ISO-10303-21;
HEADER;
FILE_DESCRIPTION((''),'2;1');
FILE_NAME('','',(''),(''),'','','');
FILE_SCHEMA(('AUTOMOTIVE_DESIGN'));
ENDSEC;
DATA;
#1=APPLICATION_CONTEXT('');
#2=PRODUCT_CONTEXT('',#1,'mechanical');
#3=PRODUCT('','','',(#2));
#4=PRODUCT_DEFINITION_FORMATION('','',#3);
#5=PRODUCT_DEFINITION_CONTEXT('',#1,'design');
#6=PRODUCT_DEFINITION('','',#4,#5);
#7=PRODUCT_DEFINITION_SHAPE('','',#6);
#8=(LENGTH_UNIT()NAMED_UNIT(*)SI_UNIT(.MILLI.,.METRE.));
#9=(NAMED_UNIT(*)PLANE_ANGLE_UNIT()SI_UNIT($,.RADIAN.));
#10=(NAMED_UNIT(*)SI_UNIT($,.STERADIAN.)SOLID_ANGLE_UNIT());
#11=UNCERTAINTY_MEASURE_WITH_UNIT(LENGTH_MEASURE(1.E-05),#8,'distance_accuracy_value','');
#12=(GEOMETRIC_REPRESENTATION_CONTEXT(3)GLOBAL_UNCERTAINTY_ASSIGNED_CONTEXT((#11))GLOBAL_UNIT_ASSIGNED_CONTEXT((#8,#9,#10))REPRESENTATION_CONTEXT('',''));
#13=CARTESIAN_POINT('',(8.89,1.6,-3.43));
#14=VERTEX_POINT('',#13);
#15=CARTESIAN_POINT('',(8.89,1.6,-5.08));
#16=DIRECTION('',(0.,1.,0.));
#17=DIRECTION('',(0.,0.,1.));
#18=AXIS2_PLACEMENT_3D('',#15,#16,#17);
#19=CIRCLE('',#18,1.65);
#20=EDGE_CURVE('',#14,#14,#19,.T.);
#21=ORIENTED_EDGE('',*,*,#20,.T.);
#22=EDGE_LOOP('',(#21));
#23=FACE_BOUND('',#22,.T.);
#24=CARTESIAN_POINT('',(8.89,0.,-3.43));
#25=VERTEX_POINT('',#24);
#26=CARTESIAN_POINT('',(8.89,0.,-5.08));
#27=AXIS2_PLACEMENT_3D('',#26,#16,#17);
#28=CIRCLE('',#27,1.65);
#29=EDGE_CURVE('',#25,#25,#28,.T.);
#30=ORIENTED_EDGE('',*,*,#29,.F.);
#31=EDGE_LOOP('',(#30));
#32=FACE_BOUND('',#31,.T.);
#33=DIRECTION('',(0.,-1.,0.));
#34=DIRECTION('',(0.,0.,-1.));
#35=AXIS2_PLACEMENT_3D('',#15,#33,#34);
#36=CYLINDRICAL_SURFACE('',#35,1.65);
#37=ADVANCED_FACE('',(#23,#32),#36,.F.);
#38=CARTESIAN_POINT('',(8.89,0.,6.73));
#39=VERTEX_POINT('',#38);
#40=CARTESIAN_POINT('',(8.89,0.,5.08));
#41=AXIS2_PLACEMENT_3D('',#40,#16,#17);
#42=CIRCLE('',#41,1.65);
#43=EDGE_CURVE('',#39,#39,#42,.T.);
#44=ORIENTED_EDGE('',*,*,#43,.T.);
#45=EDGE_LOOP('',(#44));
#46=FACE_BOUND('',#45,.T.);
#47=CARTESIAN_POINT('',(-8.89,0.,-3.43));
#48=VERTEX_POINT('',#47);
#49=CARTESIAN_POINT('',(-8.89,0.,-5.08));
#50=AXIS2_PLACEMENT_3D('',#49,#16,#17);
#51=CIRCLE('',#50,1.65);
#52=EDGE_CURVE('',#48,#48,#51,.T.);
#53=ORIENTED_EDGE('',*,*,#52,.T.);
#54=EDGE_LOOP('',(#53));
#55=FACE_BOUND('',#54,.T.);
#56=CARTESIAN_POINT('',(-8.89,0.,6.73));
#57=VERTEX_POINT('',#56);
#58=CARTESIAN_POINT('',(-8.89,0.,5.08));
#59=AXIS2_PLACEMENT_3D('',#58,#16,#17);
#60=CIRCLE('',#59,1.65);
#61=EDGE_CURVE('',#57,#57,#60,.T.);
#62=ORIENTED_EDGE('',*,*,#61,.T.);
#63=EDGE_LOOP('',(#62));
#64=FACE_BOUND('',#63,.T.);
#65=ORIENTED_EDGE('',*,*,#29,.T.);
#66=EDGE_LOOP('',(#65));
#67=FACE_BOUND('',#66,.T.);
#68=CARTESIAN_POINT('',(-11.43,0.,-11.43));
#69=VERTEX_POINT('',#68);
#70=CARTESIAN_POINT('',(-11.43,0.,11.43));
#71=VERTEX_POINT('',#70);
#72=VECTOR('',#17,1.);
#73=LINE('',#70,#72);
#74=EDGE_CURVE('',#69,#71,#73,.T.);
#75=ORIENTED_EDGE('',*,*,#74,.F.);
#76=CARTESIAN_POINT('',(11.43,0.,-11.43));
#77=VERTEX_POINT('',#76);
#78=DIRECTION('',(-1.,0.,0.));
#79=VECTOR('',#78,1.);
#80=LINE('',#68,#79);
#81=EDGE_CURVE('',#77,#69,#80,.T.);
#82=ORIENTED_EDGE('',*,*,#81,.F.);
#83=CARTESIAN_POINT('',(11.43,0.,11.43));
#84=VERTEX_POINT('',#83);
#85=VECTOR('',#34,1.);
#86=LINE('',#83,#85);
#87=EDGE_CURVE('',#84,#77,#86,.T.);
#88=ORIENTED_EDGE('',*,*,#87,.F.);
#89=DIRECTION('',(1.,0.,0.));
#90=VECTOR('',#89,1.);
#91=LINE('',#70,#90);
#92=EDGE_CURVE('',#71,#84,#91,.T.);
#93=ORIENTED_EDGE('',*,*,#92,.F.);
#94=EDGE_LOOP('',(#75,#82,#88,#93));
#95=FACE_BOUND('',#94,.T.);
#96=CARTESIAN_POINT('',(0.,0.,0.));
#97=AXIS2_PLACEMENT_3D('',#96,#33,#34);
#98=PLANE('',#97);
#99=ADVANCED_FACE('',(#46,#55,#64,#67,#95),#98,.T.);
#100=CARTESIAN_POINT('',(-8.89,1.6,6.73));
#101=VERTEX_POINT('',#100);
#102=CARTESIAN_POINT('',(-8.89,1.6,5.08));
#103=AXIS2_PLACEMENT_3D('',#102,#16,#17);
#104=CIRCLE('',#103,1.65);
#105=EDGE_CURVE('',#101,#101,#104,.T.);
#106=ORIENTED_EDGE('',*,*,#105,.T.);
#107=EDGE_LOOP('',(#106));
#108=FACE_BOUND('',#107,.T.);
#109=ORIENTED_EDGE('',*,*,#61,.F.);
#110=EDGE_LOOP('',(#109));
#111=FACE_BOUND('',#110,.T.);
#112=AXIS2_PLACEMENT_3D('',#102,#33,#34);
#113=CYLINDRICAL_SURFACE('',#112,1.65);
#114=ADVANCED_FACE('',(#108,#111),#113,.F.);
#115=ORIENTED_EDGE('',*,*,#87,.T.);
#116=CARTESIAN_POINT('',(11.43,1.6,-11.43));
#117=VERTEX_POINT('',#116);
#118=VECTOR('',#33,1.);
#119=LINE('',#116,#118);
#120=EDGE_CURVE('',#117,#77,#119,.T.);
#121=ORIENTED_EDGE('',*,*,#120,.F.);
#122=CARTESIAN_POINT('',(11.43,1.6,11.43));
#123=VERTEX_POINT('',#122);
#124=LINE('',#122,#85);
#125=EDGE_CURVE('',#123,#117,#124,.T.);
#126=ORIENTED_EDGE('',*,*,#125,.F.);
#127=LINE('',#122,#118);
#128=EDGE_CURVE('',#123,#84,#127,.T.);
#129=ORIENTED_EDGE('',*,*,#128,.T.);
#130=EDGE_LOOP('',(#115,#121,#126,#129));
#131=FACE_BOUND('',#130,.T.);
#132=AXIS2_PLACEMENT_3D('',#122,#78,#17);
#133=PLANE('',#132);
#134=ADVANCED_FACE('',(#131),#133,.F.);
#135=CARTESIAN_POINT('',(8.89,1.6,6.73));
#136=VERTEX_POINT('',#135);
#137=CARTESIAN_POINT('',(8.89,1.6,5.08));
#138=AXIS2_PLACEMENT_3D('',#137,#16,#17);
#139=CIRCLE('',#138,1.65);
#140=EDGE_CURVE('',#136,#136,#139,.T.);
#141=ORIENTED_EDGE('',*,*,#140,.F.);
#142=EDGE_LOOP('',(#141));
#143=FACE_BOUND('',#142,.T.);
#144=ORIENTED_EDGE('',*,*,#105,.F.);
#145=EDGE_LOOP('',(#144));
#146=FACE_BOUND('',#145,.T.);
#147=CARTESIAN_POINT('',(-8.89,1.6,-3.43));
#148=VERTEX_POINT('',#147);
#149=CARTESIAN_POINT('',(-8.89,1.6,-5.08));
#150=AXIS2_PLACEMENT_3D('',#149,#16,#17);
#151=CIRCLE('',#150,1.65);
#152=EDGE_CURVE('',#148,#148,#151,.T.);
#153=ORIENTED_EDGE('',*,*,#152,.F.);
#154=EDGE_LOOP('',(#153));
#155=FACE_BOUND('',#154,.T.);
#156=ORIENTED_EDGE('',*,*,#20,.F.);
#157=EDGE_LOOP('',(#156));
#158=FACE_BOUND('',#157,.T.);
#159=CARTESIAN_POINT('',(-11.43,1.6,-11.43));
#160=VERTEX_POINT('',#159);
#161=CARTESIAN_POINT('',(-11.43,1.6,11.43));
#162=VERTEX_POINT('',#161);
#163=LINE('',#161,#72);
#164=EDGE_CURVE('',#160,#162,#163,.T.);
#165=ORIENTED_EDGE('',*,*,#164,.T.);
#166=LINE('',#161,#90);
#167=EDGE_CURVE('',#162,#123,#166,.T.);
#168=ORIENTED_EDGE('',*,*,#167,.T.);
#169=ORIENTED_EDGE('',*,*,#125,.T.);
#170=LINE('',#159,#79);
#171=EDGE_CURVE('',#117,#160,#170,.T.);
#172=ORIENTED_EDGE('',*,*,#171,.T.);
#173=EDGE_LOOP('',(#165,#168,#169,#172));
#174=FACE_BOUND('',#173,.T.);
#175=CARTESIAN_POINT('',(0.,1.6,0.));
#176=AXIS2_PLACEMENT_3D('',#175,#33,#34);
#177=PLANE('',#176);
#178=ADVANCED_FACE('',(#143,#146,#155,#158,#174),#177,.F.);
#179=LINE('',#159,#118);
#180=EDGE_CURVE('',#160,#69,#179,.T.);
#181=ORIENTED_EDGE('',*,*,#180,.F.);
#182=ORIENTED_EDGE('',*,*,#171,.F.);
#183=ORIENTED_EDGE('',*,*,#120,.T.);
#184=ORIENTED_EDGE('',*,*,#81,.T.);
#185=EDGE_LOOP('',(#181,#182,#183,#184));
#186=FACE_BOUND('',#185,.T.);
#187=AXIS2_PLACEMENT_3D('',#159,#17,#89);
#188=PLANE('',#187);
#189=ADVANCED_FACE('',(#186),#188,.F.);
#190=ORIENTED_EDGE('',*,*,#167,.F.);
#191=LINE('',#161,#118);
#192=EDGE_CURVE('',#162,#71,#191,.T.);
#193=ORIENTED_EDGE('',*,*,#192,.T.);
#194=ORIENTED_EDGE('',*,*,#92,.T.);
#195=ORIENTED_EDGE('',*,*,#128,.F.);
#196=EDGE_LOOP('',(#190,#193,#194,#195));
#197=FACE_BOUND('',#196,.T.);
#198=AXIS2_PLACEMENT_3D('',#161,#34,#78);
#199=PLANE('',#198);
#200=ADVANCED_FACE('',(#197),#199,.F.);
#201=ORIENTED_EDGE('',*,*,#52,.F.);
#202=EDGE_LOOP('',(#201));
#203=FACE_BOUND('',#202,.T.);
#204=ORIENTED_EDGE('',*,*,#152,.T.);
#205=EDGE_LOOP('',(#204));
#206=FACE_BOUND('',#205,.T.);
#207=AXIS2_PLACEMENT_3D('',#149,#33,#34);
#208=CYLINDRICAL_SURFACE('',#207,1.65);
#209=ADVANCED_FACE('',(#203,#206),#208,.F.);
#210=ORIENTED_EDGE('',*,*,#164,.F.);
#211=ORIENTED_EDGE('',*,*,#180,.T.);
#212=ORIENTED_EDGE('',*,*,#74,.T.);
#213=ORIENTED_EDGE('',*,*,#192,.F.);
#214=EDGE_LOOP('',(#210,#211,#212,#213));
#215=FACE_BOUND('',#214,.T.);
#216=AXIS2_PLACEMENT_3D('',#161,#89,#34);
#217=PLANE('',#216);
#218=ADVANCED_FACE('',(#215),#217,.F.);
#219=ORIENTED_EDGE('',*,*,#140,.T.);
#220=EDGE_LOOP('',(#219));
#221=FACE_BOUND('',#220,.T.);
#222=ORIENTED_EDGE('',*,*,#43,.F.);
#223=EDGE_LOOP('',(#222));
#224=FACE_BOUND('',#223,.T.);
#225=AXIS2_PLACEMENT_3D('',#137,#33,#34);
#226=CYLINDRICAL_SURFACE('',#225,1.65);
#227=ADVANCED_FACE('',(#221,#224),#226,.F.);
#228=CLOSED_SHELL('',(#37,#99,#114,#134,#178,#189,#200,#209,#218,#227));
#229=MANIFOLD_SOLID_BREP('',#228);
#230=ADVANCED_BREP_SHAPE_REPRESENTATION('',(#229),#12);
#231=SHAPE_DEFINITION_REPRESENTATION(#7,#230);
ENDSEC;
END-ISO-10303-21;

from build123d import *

# Parameters (mm, degrees)
SKETCH1_W           = 22.86
SKETCH1_H           = 22.86
SKETCH1_R           = 1.65
BOSS_EXTRUDE1_DEPTH = 1.6


with BuildPart() as part:
    # Sketch1 → Boss-Extrude1 (new body)
    with BuildSketch(Plane(origin=(0, 0, 0), x_dir=(1, 0, 0), z_dir=(0, 1, 0))):
        Rectangle(SKETCH1_W, SKETCH1_H)
        with Locations(Location((-8.89, 5.08, 0), (0, 0, 270))):
            Circle(SKETCH1_R, mode=Mode.SUBTRACT)
        with Locations(Location((-8.89, -5.08, 0), (0, 0, 270))):
            Circle(SKETCH1_R, mode=Mode.SUBTRACT)
        with Locations(Location((8.89, -5.08, 0), (0, 0, 270))):
            Circle(SKETCH1_R, mode=Mode.SUBTRACT)
        with Locations(Location((8.89, 5.08, 0), (0, 0, 270))):
            Circle(SKETCH1_R, mode=Mode.SUBTRACT)
    extrude(amount=BOSS_EXTRUDE1_DEPTH)


solid = part.part
